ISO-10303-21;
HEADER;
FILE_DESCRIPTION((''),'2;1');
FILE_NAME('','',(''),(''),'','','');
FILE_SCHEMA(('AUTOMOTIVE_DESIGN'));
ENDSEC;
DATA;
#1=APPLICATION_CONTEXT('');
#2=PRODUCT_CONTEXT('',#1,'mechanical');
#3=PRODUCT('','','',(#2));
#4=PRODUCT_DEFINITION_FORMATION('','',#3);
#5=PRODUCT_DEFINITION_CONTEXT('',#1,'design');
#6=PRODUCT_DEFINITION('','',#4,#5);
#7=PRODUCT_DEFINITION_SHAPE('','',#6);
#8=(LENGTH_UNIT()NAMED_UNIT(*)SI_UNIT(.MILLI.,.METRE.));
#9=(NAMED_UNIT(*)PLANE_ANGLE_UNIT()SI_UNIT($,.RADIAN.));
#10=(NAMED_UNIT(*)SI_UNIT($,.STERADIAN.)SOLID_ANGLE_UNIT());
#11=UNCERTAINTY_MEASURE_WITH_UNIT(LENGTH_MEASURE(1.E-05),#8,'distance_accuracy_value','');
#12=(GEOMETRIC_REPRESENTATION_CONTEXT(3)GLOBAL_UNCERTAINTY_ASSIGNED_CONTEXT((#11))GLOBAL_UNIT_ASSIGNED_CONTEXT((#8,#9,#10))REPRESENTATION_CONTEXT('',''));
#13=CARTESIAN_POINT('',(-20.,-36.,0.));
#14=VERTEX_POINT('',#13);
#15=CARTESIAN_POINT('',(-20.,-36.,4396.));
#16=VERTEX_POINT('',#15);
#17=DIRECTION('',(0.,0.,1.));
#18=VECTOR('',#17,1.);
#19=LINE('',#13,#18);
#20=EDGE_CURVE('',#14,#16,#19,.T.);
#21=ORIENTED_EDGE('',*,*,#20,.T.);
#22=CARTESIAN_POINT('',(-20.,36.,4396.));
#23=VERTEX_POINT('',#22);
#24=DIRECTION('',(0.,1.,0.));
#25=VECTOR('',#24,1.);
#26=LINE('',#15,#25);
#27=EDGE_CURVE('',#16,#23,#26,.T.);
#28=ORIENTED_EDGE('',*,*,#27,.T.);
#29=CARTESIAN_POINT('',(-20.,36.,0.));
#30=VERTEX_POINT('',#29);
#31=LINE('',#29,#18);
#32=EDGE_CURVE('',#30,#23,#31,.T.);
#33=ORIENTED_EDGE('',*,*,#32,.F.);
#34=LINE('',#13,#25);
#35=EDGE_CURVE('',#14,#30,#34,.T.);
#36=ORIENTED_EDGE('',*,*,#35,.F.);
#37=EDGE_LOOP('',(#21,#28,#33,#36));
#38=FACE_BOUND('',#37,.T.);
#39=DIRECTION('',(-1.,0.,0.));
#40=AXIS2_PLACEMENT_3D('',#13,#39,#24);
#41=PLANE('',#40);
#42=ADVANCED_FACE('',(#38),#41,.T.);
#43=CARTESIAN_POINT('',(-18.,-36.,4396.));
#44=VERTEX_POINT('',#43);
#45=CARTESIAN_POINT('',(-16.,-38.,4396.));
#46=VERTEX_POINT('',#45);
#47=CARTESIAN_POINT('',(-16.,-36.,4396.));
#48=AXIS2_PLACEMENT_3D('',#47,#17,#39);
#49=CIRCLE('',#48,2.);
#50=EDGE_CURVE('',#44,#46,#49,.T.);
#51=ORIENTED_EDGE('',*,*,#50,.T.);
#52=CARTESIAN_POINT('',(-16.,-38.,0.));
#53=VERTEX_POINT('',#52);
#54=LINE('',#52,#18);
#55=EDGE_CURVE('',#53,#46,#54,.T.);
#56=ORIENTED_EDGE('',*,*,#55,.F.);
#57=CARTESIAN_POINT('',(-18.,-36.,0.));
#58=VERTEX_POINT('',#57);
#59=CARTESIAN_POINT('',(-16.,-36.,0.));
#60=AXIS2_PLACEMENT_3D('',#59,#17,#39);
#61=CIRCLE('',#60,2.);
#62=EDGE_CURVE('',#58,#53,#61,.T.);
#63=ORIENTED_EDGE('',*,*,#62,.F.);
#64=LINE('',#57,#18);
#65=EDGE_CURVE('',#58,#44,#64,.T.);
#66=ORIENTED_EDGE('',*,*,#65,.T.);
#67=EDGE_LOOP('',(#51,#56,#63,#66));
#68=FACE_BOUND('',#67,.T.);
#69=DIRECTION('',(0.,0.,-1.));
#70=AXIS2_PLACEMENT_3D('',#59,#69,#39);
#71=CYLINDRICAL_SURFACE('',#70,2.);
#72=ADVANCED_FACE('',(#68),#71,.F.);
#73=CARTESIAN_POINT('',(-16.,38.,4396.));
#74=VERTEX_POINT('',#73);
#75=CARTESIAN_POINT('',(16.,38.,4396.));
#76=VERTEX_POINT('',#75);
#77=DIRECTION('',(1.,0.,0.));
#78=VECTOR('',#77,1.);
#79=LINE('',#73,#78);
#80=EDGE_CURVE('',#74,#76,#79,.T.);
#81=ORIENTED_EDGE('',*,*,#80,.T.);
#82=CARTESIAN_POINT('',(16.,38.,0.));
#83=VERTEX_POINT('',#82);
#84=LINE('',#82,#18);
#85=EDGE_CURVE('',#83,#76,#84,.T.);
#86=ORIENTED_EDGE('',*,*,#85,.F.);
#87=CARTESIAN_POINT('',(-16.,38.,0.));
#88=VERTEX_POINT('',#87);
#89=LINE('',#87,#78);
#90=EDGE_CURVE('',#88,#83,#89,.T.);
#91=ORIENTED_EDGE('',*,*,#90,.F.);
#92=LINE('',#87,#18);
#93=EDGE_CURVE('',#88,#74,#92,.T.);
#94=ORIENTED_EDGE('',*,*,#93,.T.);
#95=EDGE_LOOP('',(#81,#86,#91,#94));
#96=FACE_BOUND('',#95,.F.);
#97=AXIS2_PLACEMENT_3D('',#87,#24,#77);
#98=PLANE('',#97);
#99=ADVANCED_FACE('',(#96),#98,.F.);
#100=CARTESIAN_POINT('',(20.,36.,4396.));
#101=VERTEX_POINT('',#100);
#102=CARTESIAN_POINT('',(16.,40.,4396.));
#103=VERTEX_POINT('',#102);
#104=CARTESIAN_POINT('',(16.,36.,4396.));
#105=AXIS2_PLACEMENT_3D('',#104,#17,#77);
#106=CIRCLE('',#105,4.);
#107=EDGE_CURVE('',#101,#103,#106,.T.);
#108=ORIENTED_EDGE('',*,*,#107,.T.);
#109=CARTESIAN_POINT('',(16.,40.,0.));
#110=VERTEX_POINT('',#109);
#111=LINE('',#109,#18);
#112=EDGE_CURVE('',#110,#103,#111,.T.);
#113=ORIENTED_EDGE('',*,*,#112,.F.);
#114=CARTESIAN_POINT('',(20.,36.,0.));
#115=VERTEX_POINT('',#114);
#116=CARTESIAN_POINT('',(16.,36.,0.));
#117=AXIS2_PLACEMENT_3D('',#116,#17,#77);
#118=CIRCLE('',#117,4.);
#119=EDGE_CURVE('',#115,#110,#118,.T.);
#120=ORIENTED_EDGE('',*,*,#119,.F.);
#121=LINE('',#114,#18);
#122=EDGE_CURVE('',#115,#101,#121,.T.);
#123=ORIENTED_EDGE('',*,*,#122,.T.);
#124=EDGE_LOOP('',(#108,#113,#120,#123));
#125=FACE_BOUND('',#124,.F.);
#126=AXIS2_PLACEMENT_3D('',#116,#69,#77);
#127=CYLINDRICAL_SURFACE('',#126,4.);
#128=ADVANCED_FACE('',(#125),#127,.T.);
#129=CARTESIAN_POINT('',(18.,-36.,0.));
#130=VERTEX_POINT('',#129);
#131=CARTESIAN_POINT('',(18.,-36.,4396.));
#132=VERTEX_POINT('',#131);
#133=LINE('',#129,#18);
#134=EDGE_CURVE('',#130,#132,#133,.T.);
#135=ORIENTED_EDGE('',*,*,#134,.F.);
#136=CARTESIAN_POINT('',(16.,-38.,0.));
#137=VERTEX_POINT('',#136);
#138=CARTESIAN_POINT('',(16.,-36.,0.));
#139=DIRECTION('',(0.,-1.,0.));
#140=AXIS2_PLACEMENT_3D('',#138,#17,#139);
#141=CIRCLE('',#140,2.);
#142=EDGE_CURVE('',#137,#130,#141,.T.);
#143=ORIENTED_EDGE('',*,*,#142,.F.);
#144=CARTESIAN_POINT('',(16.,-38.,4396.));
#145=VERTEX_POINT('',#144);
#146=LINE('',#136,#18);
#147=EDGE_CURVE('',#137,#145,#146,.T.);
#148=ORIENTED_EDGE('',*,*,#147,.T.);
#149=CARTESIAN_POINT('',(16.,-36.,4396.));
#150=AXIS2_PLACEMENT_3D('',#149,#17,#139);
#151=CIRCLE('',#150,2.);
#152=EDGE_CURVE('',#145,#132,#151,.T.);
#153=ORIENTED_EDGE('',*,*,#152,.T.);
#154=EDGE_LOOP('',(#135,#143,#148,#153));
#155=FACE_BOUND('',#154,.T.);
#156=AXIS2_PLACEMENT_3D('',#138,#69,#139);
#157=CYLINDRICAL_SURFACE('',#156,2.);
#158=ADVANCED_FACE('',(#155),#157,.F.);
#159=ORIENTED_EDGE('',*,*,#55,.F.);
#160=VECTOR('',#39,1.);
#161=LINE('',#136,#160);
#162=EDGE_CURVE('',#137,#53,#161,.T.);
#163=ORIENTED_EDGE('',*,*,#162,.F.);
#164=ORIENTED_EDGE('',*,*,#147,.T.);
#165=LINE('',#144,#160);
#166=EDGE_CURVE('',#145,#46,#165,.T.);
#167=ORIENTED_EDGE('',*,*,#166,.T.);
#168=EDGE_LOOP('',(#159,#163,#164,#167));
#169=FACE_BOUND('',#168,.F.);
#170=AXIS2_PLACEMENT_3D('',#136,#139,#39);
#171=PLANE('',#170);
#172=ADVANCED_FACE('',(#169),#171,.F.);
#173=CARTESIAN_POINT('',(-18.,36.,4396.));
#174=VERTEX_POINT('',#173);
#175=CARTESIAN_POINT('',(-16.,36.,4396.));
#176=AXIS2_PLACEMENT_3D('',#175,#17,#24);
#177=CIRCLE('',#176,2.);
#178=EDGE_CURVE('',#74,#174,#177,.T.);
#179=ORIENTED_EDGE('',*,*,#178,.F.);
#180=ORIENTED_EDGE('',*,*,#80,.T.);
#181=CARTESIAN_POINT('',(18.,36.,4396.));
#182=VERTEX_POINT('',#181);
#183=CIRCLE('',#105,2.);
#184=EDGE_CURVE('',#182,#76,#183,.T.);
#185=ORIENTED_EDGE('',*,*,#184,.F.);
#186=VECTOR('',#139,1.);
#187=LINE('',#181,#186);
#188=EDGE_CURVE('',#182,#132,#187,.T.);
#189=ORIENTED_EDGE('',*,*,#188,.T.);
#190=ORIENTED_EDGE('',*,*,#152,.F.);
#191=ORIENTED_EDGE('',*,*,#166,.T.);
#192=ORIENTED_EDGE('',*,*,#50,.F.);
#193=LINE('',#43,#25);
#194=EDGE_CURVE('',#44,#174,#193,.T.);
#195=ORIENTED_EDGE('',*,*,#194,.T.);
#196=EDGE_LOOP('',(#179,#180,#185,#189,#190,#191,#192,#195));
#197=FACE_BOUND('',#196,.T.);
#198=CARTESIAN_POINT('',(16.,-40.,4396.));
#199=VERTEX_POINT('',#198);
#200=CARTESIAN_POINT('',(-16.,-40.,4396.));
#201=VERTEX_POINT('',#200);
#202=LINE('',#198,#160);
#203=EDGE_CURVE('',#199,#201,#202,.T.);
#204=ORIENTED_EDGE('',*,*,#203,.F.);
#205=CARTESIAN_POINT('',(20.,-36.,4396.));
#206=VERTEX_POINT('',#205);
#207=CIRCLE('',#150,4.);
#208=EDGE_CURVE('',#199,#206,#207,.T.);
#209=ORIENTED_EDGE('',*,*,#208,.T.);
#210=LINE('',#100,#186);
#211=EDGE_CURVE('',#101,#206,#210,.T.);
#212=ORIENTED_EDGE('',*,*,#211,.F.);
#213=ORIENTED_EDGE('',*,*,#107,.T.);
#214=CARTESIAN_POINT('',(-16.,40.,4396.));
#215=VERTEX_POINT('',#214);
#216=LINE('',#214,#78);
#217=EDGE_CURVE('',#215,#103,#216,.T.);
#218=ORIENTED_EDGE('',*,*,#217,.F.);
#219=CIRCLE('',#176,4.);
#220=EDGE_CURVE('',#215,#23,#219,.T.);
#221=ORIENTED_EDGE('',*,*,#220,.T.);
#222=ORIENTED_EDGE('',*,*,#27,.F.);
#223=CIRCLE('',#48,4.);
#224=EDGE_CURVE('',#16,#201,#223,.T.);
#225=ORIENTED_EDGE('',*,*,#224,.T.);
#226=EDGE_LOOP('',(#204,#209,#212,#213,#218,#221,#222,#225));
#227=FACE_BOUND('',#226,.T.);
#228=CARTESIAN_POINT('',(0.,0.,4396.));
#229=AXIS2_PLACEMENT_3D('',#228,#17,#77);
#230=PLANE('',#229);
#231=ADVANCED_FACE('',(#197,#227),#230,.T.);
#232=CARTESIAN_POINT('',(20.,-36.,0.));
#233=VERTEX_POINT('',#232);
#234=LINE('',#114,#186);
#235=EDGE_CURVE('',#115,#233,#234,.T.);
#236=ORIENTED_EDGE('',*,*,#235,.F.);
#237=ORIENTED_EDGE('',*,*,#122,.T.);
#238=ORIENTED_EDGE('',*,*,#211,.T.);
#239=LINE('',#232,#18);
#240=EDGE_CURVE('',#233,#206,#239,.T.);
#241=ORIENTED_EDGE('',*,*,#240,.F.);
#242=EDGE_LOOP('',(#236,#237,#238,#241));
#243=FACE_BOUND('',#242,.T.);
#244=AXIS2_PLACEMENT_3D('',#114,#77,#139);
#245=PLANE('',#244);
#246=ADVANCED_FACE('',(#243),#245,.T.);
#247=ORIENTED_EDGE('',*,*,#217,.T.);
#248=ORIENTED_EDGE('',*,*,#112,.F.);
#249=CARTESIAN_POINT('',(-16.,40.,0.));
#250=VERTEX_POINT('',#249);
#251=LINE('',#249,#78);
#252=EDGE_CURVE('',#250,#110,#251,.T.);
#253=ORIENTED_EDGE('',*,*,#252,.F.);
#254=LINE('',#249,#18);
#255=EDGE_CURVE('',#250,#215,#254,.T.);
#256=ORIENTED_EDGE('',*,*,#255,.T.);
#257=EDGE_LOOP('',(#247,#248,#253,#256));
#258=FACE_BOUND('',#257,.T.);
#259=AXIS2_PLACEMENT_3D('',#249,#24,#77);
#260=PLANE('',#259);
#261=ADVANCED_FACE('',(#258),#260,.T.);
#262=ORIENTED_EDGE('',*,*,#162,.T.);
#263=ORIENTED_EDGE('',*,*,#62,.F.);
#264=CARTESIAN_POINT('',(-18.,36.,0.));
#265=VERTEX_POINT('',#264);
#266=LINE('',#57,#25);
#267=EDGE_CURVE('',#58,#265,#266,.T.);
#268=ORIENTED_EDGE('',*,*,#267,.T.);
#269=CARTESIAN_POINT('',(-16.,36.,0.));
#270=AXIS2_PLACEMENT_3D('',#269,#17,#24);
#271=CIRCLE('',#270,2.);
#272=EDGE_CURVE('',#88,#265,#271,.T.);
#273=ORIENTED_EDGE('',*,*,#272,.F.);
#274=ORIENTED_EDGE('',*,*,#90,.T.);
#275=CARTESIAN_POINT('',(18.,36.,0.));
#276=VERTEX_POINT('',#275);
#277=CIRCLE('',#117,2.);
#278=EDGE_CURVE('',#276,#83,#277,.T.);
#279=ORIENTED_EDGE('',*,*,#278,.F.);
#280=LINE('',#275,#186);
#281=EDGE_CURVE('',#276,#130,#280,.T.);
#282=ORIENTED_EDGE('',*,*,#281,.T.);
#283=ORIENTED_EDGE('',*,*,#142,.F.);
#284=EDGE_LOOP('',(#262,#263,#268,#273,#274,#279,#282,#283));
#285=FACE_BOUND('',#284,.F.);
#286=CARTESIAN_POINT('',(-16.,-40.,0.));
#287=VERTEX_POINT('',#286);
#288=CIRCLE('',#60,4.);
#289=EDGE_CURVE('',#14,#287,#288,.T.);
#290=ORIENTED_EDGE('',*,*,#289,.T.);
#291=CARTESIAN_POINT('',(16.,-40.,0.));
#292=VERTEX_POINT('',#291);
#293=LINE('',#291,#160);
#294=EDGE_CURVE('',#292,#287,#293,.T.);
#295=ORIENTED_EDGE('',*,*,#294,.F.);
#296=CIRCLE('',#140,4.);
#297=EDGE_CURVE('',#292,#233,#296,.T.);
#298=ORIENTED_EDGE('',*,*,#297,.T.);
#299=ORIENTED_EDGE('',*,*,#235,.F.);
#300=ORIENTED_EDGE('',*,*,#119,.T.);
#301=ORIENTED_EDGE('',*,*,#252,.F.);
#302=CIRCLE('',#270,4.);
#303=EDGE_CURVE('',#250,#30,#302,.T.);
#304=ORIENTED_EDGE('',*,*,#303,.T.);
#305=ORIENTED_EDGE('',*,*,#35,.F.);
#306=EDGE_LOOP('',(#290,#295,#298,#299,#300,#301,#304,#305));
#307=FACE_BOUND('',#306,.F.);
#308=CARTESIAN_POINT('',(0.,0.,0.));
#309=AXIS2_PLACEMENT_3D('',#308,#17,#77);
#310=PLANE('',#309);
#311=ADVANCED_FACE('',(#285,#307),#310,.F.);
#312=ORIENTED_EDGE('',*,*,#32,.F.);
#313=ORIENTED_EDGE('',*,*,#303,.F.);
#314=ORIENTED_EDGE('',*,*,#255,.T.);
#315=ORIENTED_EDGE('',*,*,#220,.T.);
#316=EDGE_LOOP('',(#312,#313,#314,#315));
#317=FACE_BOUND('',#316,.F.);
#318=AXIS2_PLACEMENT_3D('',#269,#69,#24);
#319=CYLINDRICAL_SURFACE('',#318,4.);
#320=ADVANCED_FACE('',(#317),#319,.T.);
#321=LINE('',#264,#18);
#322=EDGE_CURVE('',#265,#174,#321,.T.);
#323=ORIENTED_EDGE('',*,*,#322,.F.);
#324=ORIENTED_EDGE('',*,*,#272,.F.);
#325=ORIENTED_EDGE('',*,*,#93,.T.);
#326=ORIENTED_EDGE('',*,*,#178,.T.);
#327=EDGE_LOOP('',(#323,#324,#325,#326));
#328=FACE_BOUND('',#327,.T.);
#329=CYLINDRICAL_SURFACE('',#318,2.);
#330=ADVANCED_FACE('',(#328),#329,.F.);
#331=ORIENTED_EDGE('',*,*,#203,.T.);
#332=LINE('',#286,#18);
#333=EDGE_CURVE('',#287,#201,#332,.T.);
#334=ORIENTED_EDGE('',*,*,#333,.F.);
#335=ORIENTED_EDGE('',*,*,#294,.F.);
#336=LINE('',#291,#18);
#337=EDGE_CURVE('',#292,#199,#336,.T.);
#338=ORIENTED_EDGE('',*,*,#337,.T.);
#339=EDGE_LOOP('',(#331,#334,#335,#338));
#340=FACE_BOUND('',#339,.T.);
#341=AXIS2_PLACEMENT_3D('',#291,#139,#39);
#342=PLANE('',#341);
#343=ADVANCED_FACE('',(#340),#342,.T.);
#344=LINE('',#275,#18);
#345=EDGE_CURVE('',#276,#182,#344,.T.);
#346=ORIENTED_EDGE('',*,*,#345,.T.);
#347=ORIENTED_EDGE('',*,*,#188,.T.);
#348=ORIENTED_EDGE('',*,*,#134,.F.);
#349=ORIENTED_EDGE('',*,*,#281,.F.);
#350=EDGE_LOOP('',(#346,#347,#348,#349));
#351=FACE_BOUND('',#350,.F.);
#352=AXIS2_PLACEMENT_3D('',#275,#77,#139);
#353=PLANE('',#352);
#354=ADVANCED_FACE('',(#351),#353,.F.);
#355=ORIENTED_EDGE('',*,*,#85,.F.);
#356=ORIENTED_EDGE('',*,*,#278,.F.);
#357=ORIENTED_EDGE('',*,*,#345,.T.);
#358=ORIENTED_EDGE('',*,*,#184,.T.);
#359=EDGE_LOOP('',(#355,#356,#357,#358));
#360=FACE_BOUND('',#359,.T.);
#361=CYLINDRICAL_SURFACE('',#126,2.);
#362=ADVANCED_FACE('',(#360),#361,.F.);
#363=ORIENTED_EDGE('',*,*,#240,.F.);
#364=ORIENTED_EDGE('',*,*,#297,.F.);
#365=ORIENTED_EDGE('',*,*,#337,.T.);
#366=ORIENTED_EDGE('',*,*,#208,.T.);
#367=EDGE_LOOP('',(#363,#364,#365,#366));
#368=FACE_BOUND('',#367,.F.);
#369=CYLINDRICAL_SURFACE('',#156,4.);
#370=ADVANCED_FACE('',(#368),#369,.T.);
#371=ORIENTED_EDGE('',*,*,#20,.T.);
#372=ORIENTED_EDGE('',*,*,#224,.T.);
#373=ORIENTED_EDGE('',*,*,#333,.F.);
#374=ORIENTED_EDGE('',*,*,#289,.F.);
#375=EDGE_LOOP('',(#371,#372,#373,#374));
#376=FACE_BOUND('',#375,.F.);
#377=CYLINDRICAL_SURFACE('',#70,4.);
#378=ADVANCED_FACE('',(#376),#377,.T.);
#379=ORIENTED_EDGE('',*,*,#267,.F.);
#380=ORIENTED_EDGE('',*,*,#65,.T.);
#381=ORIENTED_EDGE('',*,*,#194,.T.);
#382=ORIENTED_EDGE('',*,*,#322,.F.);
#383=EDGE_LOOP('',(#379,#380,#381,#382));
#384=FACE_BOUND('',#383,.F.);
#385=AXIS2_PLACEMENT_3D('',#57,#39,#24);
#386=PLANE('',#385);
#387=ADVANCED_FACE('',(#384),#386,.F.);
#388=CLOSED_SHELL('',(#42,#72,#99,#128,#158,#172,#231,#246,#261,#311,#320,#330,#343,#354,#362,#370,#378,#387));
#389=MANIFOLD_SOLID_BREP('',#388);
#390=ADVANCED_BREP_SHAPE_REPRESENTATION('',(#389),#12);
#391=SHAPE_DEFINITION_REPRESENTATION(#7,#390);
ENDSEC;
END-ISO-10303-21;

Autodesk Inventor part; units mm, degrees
ref_plane "YZ Plane" through (0, 0, 0) normal (1, 0, 0) x (0, 1, 0)
ref_plane "Start Plane" through (0, 0, 0) normal (0, 0, 1) x (1, 0, 0)
ref_plane "End Plane" through (0, 0, 4396) normal (0, 0, 1) x (1, 0, 0)
sketch "Sketch" plane through (0, 0, 0) normal (0, 0, 1) x (1, 0, 0)
  line L0 (-20, -36) -> (-20, 36)
  line L1 (-16, 40) -> (16, 40)
  line L2 (20, 36) -> (20, -36)
  line L3 (16, -40) -> (-16, -40)
  arc A0 (-20, -36) -> (-16, -40) centre (-16, -36) ccw
  arc A1 (20, 36) -> (16, 40) centre (16, 36) ccw
  arc A2 (-16, 40) -> (-20, 36) centre (-16, 36) ccw
  arc A3 (16, -40) -> (20, -36) centre (16, -36) ccw
  arc A4 (-16, 38) -> (-18, 36) centre (-16, 36) ccw
  line L4 (-16, 38) -> (16, 38)
  arc A5 (18, 36) -> (16, 38) centre (16, 36) ccw
  line L5 (18, 36) -> (18, -36)
  arc A6 (16, -38) -> (18, -36) centre (16, -36) ccw
  line L6 (16, -38) -> (-16, -38)
  arc A7 (-18, -36) -> (-16, -38) centre (-16, -36) ccw
  line L7 (-18, -36) -> (-18, 36)
  line L8 (0, 57.1598) -> (0, -57.1598) construction
  line L9 (-29.1598, 0) -> (29.1598, 0) construction
  dimension "d7" = 4
  dimension "d9" = 40
  dimension "d11" = 80
  dimension "d12" = 2
  dimension "d15" = 20
  dimension "d16" = 40
extrude "Body" add sketch "Sketch" along normal up to surface (4396 mm away) from surface at 0
sketch "Sketch3" plane through (0, 0, 0) normal (0, 0, 1) x (1, 0, 0)
  line L0 (0, 0) -> (10, 0)
ref_plane "Work Plane3" through (0, 0, 0) normal (0, -1, 0) x (1, 0, 0)
sketch "Sketch4" plane through (0, 0, 0) normal (0, -1, 0) x (1, 0, 0)
  line L0 (-2, 0) -> (12, 0) projected
  line L1 (-2, 4396) -> (12, 4396) projected
  dimension "d18" = 4396
equation "\"d7\" = G_IR"
equation "\"d9\" = G_W"
equation "\"d11\" = G_H"
equation "\"d12\" = G_T"
equation "\"d15\" = 0.5 * d9"
equation "\"d16\" = 0.5 * d11"
equation "\"d3\" = G_L"
equation "\"G_W\" = 40"
equation "\"G_H\" = 80"
equation "\"G_T\" = 2"
equation "\"G_IR\" = 4"
equation "\"G_L\" = d18"
equation "\"G_OFFSET_START\" = 0"
equation "\"G_OFFSET_END\" = 0"
equation "\"d14\" = G_OFFSET_END + B_L"
equation "\"B_L\" = 4396"
properties part number "ISO 4019 - 80x40x2 - 4396" material "Steel, Mild"
